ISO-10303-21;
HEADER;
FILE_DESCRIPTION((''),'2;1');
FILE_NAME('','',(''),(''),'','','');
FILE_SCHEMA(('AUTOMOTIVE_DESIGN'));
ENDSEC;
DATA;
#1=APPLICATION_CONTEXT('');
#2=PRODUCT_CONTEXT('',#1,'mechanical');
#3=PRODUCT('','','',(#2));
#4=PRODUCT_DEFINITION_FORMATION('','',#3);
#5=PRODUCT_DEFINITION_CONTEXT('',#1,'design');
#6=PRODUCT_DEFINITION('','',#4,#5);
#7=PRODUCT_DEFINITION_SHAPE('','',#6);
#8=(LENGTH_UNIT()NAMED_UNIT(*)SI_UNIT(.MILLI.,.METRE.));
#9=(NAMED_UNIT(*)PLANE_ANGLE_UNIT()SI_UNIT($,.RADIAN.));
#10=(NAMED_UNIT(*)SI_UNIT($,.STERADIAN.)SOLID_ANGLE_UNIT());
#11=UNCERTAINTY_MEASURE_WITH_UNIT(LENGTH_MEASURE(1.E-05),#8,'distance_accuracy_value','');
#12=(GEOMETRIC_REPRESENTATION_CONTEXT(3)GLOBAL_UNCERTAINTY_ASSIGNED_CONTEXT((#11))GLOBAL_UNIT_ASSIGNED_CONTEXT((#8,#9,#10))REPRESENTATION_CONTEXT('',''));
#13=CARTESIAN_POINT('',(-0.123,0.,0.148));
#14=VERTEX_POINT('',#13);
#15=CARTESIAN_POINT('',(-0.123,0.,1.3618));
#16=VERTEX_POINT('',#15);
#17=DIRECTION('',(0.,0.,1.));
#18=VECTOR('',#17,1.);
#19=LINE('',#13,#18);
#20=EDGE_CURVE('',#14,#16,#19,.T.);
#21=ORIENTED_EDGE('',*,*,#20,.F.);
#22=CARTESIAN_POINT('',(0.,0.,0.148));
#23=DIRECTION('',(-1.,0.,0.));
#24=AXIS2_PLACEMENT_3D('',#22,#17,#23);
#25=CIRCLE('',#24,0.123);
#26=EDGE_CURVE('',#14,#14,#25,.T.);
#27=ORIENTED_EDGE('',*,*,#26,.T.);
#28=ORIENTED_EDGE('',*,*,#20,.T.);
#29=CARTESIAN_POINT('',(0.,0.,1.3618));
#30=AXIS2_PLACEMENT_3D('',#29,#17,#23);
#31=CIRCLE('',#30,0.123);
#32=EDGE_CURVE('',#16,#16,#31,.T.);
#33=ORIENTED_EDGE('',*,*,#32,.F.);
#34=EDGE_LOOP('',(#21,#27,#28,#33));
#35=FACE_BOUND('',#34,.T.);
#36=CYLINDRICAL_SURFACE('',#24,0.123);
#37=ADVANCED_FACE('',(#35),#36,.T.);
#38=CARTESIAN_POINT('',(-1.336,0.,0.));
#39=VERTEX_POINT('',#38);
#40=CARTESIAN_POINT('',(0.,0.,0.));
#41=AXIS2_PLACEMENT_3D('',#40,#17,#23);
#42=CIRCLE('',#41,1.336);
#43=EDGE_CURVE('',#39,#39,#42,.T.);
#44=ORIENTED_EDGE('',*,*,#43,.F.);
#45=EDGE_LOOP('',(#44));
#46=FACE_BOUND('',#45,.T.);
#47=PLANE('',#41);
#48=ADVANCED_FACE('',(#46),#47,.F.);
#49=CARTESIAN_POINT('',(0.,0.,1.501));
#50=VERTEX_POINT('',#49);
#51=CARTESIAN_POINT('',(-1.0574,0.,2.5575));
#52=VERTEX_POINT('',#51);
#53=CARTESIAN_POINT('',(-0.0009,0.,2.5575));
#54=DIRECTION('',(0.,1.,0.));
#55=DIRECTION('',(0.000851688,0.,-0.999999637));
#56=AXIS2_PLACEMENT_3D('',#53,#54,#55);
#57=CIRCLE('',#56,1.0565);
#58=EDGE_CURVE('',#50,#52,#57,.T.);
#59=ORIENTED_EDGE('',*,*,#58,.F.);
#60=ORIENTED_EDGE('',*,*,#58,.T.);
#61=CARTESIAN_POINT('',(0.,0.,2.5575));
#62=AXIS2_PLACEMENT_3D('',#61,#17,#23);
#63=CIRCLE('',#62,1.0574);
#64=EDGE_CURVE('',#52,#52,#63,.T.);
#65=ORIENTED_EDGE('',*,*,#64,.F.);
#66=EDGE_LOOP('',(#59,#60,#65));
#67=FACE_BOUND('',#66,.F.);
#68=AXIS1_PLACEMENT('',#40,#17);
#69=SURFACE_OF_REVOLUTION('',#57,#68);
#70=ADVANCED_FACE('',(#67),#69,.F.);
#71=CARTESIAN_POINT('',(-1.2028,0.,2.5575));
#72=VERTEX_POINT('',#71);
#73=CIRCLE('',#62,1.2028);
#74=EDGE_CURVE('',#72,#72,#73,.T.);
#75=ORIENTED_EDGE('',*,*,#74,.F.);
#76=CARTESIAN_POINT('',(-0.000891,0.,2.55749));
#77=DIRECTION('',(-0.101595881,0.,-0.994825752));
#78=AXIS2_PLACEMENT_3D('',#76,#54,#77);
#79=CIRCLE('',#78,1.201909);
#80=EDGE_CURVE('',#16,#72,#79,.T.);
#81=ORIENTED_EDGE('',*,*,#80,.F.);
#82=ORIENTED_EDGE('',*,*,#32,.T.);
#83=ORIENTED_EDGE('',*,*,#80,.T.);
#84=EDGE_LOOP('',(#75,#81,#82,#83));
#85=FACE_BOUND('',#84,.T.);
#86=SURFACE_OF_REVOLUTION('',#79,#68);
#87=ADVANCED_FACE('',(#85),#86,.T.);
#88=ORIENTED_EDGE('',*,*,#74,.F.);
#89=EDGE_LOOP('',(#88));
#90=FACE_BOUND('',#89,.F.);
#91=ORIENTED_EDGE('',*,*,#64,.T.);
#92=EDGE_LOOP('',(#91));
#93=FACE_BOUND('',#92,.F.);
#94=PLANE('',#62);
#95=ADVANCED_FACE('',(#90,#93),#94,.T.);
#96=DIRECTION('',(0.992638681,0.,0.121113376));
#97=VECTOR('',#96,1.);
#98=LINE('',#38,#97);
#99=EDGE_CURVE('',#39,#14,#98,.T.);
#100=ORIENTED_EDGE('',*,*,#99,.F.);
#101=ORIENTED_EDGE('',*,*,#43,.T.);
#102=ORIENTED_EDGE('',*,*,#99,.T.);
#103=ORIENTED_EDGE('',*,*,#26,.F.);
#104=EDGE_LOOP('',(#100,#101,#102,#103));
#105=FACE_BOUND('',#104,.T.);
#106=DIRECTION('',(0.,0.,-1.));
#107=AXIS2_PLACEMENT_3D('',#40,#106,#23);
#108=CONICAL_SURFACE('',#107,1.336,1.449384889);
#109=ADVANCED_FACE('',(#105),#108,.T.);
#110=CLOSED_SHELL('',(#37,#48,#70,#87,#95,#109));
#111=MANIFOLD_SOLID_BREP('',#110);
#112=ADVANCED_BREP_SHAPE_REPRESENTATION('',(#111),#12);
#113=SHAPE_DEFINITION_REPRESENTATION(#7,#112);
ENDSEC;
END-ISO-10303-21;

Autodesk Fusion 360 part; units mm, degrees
sketch "Sketch1" plane through (0, 0, 0) normal (0, 1, 0) x (1, 0, 0)
  line L0 (0, 0) -> (0, -1.501)
  line L1 (-1.0574, -2.5575) -> (-1.2054, -2.5575)
  line L2 (0, 0) -> (-1.336, 0)
  line L3 (-1.336, 0) -> (-0.123, -0.148)
  line L4 (-0.123, -0.148) -> (-0.123, -1.3618)
  arc A0 (0, -1.501) -> (-1.0574, -2.5575) centre (-0.0009, -2.5575) ccw
  arc A1 (-0.123, -1.3618) -> (-1.2028, -2.5575) centre (-0.0009, -2.5575) ccw
  line L5 (0, 0) -> (0, -3.8)
  dimension "d1" = 1.501
  dimension "d2" = 2.113
  dimension "d3" = 0.148
  dimension "d4" = 1.336
  dimension "d5" = 0.123
  dimension "d6" = 0.148
revolve "Revolve1" add sketch "Sketch1" angle 360 about axis through (0, 0, 0) along (0, 0, 1)
